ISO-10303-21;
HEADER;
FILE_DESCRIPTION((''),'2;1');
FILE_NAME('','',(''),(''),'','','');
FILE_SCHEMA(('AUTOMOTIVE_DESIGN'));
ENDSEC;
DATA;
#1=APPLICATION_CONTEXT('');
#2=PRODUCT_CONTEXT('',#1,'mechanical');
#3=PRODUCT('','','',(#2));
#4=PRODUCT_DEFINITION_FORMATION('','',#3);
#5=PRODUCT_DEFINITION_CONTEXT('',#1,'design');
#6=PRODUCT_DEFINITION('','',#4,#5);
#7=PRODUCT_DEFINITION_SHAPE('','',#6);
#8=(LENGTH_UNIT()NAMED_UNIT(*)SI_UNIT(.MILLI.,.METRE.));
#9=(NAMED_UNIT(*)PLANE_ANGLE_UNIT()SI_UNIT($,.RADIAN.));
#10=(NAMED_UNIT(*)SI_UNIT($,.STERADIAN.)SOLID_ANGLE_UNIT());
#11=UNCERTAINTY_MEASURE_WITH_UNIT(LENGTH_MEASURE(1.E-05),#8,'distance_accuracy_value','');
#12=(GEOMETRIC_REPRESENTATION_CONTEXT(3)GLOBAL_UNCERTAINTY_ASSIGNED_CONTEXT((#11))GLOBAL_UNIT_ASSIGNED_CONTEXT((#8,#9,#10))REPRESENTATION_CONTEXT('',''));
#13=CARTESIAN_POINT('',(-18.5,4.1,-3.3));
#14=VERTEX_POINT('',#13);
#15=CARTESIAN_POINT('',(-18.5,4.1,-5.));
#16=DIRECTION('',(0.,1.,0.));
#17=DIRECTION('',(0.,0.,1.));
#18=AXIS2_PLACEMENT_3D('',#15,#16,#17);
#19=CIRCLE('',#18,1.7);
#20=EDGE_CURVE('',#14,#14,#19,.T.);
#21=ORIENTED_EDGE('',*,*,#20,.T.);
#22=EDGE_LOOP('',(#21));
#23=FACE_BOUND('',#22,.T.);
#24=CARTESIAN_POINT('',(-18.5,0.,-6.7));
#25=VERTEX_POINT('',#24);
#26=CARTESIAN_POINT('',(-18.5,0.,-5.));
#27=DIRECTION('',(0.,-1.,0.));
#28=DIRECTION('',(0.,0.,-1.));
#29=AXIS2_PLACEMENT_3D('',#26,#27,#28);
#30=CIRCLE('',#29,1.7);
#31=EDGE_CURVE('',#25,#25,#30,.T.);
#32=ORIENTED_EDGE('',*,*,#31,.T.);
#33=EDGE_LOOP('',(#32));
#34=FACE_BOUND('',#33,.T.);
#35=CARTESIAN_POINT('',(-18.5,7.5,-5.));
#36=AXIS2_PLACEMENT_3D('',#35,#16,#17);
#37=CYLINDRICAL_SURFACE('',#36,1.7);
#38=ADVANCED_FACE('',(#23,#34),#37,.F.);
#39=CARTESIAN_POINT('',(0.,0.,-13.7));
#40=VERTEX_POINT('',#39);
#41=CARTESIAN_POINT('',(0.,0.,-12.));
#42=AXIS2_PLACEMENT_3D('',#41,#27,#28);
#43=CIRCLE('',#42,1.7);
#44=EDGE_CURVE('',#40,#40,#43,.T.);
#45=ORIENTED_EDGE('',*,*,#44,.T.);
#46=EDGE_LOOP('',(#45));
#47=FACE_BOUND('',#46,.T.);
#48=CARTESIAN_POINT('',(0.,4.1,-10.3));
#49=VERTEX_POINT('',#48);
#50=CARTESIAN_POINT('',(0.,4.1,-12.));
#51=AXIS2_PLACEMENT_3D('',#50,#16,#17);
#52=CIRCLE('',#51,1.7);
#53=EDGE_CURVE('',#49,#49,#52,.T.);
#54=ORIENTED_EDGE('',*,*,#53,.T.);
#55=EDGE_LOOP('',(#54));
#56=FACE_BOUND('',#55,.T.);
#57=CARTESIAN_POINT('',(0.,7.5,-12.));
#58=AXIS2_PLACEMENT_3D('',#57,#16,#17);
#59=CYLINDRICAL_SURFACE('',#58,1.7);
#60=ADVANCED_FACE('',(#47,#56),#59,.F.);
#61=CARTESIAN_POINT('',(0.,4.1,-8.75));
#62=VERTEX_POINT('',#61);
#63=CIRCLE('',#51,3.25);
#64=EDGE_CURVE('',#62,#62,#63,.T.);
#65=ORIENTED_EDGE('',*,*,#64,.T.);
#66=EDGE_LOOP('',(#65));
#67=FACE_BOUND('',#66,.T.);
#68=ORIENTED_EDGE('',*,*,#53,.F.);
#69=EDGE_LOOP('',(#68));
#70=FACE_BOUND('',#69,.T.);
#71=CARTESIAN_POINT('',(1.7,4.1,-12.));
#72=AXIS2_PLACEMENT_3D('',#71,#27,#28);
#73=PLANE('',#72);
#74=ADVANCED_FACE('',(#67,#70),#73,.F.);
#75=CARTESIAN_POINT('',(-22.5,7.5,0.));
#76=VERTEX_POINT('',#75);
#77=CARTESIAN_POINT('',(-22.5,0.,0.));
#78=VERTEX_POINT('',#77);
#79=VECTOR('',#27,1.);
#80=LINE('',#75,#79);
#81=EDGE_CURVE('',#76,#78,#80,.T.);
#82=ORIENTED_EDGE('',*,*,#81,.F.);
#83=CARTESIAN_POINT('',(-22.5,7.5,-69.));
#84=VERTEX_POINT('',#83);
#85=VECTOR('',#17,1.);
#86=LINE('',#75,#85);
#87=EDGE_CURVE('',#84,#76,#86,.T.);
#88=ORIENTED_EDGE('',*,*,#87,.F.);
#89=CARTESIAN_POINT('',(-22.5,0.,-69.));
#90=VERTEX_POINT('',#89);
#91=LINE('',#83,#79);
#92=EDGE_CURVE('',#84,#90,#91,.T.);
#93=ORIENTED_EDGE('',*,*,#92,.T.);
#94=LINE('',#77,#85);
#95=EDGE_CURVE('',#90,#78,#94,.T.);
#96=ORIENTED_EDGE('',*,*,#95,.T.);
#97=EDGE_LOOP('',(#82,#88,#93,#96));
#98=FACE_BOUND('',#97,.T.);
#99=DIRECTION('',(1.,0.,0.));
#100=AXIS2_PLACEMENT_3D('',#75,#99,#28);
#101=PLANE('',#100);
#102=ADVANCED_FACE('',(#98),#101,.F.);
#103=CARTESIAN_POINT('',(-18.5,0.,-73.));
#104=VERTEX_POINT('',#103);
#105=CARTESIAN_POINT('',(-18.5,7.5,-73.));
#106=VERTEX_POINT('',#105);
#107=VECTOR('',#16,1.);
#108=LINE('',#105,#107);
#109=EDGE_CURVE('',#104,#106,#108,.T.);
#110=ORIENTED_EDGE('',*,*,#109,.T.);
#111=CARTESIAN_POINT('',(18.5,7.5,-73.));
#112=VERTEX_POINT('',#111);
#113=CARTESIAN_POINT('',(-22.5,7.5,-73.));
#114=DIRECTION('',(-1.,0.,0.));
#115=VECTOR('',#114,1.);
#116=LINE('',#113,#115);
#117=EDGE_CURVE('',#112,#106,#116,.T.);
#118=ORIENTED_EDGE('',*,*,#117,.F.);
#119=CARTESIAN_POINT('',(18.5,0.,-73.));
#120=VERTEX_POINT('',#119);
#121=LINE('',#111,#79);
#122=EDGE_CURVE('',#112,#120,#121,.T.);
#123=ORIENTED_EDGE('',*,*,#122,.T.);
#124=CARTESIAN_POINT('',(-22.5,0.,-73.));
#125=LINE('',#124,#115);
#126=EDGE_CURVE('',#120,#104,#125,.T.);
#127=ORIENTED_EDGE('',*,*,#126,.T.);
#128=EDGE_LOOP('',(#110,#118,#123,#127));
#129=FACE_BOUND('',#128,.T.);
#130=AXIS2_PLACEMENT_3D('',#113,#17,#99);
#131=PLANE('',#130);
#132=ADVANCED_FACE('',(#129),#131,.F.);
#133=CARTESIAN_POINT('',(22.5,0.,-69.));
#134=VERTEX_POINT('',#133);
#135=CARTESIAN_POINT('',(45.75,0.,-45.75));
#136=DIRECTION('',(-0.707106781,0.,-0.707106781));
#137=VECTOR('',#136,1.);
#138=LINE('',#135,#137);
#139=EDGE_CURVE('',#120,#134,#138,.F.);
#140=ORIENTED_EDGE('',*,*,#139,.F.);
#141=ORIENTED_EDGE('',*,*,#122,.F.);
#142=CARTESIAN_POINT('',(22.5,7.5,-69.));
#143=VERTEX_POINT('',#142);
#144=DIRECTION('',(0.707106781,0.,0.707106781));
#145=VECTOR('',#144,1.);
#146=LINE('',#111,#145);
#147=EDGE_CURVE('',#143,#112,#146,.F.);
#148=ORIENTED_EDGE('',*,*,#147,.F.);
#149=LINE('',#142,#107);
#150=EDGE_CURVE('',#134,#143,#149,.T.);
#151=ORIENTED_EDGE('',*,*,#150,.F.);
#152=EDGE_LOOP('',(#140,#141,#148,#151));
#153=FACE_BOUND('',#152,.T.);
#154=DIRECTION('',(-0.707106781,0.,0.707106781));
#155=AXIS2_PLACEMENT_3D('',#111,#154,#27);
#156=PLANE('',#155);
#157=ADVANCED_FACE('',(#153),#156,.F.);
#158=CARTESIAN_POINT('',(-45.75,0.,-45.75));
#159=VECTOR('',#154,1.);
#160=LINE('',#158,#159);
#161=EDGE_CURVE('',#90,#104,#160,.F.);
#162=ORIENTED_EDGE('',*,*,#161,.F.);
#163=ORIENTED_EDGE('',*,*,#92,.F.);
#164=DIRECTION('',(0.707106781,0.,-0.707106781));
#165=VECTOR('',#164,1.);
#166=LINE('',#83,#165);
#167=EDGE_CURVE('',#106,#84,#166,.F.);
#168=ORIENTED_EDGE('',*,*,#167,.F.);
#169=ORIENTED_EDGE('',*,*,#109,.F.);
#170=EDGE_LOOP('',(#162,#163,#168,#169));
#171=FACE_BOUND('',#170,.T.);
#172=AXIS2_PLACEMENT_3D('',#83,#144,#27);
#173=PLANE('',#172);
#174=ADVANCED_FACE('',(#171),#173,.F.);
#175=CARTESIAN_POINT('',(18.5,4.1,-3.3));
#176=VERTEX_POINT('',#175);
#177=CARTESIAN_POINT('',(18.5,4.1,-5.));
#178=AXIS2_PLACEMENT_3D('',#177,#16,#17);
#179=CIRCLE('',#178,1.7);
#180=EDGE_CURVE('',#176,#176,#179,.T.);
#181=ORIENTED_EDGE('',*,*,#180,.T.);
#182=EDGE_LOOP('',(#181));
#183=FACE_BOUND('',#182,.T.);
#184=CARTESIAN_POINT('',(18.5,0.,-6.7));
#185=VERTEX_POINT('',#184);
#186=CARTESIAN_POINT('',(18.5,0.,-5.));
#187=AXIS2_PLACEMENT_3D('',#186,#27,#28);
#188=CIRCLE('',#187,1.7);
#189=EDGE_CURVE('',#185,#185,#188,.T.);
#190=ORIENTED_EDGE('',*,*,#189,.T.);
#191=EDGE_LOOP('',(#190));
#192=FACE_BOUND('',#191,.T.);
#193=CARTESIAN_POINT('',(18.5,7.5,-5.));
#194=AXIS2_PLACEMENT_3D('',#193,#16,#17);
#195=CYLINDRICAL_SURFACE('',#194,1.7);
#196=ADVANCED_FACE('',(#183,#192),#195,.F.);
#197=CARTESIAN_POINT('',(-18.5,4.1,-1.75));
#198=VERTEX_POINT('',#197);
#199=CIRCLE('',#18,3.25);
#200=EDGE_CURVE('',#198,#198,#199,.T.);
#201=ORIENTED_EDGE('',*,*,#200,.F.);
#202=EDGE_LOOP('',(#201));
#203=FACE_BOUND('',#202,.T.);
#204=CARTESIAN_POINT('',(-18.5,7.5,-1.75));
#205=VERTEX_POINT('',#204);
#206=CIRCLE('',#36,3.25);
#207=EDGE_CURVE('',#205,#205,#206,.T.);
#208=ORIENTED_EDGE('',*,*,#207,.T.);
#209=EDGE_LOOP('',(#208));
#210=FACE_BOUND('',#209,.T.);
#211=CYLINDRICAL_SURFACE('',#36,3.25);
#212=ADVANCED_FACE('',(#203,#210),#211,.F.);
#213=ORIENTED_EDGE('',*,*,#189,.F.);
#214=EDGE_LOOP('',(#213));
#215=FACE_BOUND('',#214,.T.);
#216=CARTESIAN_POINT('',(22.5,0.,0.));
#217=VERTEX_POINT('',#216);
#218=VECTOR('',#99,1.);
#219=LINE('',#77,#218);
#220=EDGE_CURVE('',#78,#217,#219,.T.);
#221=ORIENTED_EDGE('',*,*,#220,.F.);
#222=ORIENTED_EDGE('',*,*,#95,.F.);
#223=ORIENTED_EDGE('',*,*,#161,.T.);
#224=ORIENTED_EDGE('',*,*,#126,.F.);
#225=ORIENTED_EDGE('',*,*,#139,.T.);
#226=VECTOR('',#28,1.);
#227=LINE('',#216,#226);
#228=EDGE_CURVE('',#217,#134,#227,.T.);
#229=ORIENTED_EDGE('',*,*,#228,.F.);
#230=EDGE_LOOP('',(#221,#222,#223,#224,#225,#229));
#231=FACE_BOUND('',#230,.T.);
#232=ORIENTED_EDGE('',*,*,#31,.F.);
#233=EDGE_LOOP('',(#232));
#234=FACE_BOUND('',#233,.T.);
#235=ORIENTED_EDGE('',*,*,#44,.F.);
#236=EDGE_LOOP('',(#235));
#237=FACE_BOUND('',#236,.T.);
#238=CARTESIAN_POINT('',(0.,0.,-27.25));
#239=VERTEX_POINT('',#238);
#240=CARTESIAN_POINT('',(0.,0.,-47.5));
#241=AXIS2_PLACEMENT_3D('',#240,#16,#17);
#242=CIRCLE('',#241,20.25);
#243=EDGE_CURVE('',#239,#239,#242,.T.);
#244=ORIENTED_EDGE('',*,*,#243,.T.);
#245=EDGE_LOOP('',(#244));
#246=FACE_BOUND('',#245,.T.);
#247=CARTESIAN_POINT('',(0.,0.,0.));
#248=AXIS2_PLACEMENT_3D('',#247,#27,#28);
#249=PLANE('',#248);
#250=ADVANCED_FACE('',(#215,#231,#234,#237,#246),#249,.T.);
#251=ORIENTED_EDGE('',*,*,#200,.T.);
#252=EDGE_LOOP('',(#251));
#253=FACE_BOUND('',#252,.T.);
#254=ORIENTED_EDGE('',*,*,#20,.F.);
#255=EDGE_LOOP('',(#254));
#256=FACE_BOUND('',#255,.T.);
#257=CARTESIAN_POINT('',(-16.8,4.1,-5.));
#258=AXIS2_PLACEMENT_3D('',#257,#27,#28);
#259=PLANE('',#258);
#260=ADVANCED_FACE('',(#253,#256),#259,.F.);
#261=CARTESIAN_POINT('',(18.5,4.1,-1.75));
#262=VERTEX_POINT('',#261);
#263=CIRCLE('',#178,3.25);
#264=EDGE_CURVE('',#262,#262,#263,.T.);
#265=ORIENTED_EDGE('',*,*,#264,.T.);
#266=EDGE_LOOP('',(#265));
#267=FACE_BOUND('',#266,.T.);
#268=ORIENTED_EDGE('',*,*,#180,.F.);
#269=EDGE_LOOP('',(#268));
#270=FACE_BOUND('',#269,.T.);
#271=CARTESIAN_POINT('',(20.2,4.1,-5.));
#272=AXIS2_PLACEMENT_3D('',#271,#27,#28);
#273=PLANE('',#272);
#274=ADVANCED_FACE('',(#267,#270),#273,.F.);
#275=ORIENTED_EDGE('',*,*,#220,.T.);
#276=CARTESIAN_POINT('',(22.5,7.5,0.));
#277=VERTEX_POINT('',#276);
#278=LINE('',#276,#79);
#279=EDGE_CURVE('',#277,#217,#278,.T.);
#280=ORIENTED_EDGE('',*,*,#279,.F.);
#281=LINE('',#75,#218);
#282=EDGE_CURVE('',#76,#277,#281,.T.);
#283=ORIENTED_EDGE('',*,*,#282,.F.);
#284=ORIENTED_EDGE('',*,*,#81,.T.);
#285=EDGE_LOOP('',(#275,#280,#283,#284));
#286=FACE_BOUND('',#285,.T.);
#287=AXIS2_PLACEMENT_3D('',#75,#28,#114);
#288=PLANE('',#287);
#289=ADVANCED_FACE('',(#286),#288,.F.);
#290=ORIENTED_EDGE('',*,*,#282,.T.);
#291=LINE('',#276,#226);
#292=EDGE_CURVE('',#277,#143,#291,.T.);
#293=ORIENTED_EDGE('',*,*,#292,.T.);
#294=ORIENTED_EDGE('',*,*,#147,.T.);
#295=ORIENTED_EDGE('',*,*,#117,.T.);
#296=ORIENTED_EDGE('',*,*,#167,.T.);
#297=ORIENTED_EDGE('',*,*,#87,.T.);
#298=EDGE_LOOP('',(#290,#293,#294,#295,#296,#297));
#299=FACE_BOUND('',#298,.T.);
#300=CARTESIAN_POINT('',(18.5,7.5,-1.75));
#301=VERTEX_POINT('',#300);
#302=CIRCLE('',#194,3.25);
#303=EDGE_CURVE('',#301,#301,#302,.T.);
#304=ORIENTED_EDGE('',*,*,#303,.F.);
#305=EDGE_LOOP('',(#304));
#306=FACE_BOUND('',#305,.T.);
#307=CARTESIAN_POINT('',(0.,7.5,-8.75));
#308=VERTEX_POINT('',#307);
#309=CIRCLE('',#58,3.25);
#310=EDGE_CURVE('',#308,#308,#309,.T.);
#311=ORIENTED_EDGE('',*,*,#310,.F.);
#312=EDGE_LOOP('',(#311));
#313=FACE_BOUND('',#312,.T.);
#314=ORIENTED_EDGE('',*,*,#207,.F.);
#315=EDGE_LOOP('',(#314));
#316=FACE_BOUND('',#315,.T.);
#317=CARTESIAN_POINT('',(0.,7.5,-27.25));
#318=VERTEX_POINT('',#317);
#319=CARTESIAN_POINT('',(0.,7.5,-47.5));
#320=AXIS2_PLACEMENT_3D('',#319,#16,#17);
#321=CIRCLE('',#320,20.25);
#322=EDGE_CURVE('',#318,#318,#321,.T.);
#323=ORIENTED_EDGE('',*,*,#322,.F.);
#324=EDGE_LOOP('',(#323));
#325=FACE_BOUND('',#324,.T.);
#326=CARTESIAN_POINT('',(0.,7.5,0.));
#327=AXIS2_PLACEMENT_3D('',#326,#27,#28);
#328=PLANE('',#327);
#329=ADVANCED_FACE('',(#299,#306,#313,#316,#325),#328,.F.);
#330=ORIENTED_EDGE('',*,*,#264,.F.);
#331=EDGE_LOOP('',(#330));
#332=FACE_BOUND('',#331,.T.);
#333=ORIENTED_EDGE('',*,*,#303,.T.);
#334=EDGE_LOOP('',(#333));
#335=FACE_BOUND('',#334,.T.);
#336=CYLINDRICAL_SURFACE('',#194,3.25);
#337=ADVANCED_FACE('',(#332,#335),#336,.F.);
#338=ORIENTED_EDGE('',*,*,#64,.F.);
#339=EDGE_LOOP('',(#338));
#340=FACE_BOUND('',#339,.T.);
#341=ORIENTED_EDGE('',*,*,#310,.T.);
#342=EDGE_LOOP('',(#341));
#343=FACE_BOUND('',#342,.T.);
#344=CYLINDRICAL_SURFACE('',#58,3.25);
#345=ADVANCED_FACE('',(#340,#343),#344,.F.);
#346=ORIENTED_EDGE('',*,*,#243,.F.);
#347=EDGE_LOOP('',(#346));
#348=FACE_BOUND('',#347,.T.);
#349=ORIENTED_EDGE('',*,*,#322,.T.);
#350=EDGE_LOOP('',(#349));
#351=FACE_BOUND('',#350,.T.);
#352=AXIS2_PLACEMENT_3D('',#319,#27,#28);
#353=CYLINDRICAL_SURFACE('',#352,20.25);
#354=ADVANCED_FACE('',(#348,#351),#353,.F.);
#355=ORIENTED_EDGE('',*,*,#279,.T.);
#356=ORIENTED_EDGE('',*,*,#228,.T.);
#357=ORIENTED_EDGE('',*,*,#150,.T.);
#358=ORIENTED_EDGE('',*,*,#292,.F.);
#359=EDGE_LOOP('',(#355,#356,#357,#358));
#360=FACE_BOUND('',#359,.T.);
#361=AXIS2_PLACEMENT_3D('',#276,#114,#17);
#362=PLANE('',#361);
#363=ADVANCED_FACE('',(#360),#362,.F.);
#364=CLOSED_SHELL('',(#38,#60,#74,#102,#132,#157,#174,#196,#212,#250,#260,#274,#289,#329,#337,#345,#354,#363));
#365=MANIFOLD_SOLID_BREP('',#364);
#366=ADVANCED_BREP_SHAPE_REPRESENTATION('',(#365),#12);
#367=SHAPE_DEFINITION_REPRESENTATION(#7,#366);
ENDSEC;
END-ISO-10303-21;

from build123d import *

# Parameters (mm, degrees)
SKETCH1_W                                           = 45
SKETCH1_H                                           = 73
SKETCH1_R                                           = 20.25
BOSS_EXTRUDE1_DEPTH                                 = 7.5
CHAMFER1_SIZE                                       = 4
CBORE_FOR_M3_HEX_SOCKET_HEAD_CAP_SCREW1_D           = 3.4
CBORE_FOR_M3_HEX_SOCKET_HEAD_CAP_SCREW1_DEPTH       = 7.5
CBORE_FOR_M3_HEX_SOCKET_HEAD_CAP_SCREW1_CBORE_D     = 6.5
CBORE_FOR_M3_HEX_SOCKET_HEAD_CAP_SCREW1_CBORE_DEPTH = 3.4


with BuildPart() as part:
    # Sketch1 → Boss-Extrude1 (new body)
    with BuildSketch(Plane(origin=(0, 0, 0), x_dir=(1, 0, 0), z_dir=(0, 1, 0))):
        with Locations((0, 36.5)):
            Rectangle(SKETCH1_W, SKETCH1_H)
        with Locations((0, 47.5)):
            Circle(SKETCH1_R, mode=Mode.SUBTRACT)
    extrude(amount=BOSS_EXTRUDE1_DEPTH)

    # Chamfer1
    chamfer1_edges = [part.edges().sort_by_distance(p)[0] for p in [
        (-22.5, 3.75, -73),
        (22.5, 3.75, -73),
    ]]
    chamfer(chamfer1_edges, length=CHAMFER1_SIZE)

    # CBORE for M3 Hex Socket Head Cap Screw1
    with Locations(Plane(origin=(0, 7.5, 0), x_dir=(1, 0, 0), z_dir=(0, 1, 0))):
        with Locations((-18.5, 5), (0, 12), (18.5, 5)):
            CounterBoreHole(CBORE_FOR_M3_HEX_SOCKET_HEAD_CAP_SCREW1_D / 2, CBORE_FOR_M3_HEX_SOCKET_HEAD_CAP_SCREW1_CBORE_D / 2, CBORE_FOR_M3_HEX_SOCKET_HEAD_CAP_SCREW1_CBORE_DEPTH, depth=CBORE_FOR_M3_HEX_SOCKET_HEAD_CAP_SCREW1_DEPTH)


solid = part.part
